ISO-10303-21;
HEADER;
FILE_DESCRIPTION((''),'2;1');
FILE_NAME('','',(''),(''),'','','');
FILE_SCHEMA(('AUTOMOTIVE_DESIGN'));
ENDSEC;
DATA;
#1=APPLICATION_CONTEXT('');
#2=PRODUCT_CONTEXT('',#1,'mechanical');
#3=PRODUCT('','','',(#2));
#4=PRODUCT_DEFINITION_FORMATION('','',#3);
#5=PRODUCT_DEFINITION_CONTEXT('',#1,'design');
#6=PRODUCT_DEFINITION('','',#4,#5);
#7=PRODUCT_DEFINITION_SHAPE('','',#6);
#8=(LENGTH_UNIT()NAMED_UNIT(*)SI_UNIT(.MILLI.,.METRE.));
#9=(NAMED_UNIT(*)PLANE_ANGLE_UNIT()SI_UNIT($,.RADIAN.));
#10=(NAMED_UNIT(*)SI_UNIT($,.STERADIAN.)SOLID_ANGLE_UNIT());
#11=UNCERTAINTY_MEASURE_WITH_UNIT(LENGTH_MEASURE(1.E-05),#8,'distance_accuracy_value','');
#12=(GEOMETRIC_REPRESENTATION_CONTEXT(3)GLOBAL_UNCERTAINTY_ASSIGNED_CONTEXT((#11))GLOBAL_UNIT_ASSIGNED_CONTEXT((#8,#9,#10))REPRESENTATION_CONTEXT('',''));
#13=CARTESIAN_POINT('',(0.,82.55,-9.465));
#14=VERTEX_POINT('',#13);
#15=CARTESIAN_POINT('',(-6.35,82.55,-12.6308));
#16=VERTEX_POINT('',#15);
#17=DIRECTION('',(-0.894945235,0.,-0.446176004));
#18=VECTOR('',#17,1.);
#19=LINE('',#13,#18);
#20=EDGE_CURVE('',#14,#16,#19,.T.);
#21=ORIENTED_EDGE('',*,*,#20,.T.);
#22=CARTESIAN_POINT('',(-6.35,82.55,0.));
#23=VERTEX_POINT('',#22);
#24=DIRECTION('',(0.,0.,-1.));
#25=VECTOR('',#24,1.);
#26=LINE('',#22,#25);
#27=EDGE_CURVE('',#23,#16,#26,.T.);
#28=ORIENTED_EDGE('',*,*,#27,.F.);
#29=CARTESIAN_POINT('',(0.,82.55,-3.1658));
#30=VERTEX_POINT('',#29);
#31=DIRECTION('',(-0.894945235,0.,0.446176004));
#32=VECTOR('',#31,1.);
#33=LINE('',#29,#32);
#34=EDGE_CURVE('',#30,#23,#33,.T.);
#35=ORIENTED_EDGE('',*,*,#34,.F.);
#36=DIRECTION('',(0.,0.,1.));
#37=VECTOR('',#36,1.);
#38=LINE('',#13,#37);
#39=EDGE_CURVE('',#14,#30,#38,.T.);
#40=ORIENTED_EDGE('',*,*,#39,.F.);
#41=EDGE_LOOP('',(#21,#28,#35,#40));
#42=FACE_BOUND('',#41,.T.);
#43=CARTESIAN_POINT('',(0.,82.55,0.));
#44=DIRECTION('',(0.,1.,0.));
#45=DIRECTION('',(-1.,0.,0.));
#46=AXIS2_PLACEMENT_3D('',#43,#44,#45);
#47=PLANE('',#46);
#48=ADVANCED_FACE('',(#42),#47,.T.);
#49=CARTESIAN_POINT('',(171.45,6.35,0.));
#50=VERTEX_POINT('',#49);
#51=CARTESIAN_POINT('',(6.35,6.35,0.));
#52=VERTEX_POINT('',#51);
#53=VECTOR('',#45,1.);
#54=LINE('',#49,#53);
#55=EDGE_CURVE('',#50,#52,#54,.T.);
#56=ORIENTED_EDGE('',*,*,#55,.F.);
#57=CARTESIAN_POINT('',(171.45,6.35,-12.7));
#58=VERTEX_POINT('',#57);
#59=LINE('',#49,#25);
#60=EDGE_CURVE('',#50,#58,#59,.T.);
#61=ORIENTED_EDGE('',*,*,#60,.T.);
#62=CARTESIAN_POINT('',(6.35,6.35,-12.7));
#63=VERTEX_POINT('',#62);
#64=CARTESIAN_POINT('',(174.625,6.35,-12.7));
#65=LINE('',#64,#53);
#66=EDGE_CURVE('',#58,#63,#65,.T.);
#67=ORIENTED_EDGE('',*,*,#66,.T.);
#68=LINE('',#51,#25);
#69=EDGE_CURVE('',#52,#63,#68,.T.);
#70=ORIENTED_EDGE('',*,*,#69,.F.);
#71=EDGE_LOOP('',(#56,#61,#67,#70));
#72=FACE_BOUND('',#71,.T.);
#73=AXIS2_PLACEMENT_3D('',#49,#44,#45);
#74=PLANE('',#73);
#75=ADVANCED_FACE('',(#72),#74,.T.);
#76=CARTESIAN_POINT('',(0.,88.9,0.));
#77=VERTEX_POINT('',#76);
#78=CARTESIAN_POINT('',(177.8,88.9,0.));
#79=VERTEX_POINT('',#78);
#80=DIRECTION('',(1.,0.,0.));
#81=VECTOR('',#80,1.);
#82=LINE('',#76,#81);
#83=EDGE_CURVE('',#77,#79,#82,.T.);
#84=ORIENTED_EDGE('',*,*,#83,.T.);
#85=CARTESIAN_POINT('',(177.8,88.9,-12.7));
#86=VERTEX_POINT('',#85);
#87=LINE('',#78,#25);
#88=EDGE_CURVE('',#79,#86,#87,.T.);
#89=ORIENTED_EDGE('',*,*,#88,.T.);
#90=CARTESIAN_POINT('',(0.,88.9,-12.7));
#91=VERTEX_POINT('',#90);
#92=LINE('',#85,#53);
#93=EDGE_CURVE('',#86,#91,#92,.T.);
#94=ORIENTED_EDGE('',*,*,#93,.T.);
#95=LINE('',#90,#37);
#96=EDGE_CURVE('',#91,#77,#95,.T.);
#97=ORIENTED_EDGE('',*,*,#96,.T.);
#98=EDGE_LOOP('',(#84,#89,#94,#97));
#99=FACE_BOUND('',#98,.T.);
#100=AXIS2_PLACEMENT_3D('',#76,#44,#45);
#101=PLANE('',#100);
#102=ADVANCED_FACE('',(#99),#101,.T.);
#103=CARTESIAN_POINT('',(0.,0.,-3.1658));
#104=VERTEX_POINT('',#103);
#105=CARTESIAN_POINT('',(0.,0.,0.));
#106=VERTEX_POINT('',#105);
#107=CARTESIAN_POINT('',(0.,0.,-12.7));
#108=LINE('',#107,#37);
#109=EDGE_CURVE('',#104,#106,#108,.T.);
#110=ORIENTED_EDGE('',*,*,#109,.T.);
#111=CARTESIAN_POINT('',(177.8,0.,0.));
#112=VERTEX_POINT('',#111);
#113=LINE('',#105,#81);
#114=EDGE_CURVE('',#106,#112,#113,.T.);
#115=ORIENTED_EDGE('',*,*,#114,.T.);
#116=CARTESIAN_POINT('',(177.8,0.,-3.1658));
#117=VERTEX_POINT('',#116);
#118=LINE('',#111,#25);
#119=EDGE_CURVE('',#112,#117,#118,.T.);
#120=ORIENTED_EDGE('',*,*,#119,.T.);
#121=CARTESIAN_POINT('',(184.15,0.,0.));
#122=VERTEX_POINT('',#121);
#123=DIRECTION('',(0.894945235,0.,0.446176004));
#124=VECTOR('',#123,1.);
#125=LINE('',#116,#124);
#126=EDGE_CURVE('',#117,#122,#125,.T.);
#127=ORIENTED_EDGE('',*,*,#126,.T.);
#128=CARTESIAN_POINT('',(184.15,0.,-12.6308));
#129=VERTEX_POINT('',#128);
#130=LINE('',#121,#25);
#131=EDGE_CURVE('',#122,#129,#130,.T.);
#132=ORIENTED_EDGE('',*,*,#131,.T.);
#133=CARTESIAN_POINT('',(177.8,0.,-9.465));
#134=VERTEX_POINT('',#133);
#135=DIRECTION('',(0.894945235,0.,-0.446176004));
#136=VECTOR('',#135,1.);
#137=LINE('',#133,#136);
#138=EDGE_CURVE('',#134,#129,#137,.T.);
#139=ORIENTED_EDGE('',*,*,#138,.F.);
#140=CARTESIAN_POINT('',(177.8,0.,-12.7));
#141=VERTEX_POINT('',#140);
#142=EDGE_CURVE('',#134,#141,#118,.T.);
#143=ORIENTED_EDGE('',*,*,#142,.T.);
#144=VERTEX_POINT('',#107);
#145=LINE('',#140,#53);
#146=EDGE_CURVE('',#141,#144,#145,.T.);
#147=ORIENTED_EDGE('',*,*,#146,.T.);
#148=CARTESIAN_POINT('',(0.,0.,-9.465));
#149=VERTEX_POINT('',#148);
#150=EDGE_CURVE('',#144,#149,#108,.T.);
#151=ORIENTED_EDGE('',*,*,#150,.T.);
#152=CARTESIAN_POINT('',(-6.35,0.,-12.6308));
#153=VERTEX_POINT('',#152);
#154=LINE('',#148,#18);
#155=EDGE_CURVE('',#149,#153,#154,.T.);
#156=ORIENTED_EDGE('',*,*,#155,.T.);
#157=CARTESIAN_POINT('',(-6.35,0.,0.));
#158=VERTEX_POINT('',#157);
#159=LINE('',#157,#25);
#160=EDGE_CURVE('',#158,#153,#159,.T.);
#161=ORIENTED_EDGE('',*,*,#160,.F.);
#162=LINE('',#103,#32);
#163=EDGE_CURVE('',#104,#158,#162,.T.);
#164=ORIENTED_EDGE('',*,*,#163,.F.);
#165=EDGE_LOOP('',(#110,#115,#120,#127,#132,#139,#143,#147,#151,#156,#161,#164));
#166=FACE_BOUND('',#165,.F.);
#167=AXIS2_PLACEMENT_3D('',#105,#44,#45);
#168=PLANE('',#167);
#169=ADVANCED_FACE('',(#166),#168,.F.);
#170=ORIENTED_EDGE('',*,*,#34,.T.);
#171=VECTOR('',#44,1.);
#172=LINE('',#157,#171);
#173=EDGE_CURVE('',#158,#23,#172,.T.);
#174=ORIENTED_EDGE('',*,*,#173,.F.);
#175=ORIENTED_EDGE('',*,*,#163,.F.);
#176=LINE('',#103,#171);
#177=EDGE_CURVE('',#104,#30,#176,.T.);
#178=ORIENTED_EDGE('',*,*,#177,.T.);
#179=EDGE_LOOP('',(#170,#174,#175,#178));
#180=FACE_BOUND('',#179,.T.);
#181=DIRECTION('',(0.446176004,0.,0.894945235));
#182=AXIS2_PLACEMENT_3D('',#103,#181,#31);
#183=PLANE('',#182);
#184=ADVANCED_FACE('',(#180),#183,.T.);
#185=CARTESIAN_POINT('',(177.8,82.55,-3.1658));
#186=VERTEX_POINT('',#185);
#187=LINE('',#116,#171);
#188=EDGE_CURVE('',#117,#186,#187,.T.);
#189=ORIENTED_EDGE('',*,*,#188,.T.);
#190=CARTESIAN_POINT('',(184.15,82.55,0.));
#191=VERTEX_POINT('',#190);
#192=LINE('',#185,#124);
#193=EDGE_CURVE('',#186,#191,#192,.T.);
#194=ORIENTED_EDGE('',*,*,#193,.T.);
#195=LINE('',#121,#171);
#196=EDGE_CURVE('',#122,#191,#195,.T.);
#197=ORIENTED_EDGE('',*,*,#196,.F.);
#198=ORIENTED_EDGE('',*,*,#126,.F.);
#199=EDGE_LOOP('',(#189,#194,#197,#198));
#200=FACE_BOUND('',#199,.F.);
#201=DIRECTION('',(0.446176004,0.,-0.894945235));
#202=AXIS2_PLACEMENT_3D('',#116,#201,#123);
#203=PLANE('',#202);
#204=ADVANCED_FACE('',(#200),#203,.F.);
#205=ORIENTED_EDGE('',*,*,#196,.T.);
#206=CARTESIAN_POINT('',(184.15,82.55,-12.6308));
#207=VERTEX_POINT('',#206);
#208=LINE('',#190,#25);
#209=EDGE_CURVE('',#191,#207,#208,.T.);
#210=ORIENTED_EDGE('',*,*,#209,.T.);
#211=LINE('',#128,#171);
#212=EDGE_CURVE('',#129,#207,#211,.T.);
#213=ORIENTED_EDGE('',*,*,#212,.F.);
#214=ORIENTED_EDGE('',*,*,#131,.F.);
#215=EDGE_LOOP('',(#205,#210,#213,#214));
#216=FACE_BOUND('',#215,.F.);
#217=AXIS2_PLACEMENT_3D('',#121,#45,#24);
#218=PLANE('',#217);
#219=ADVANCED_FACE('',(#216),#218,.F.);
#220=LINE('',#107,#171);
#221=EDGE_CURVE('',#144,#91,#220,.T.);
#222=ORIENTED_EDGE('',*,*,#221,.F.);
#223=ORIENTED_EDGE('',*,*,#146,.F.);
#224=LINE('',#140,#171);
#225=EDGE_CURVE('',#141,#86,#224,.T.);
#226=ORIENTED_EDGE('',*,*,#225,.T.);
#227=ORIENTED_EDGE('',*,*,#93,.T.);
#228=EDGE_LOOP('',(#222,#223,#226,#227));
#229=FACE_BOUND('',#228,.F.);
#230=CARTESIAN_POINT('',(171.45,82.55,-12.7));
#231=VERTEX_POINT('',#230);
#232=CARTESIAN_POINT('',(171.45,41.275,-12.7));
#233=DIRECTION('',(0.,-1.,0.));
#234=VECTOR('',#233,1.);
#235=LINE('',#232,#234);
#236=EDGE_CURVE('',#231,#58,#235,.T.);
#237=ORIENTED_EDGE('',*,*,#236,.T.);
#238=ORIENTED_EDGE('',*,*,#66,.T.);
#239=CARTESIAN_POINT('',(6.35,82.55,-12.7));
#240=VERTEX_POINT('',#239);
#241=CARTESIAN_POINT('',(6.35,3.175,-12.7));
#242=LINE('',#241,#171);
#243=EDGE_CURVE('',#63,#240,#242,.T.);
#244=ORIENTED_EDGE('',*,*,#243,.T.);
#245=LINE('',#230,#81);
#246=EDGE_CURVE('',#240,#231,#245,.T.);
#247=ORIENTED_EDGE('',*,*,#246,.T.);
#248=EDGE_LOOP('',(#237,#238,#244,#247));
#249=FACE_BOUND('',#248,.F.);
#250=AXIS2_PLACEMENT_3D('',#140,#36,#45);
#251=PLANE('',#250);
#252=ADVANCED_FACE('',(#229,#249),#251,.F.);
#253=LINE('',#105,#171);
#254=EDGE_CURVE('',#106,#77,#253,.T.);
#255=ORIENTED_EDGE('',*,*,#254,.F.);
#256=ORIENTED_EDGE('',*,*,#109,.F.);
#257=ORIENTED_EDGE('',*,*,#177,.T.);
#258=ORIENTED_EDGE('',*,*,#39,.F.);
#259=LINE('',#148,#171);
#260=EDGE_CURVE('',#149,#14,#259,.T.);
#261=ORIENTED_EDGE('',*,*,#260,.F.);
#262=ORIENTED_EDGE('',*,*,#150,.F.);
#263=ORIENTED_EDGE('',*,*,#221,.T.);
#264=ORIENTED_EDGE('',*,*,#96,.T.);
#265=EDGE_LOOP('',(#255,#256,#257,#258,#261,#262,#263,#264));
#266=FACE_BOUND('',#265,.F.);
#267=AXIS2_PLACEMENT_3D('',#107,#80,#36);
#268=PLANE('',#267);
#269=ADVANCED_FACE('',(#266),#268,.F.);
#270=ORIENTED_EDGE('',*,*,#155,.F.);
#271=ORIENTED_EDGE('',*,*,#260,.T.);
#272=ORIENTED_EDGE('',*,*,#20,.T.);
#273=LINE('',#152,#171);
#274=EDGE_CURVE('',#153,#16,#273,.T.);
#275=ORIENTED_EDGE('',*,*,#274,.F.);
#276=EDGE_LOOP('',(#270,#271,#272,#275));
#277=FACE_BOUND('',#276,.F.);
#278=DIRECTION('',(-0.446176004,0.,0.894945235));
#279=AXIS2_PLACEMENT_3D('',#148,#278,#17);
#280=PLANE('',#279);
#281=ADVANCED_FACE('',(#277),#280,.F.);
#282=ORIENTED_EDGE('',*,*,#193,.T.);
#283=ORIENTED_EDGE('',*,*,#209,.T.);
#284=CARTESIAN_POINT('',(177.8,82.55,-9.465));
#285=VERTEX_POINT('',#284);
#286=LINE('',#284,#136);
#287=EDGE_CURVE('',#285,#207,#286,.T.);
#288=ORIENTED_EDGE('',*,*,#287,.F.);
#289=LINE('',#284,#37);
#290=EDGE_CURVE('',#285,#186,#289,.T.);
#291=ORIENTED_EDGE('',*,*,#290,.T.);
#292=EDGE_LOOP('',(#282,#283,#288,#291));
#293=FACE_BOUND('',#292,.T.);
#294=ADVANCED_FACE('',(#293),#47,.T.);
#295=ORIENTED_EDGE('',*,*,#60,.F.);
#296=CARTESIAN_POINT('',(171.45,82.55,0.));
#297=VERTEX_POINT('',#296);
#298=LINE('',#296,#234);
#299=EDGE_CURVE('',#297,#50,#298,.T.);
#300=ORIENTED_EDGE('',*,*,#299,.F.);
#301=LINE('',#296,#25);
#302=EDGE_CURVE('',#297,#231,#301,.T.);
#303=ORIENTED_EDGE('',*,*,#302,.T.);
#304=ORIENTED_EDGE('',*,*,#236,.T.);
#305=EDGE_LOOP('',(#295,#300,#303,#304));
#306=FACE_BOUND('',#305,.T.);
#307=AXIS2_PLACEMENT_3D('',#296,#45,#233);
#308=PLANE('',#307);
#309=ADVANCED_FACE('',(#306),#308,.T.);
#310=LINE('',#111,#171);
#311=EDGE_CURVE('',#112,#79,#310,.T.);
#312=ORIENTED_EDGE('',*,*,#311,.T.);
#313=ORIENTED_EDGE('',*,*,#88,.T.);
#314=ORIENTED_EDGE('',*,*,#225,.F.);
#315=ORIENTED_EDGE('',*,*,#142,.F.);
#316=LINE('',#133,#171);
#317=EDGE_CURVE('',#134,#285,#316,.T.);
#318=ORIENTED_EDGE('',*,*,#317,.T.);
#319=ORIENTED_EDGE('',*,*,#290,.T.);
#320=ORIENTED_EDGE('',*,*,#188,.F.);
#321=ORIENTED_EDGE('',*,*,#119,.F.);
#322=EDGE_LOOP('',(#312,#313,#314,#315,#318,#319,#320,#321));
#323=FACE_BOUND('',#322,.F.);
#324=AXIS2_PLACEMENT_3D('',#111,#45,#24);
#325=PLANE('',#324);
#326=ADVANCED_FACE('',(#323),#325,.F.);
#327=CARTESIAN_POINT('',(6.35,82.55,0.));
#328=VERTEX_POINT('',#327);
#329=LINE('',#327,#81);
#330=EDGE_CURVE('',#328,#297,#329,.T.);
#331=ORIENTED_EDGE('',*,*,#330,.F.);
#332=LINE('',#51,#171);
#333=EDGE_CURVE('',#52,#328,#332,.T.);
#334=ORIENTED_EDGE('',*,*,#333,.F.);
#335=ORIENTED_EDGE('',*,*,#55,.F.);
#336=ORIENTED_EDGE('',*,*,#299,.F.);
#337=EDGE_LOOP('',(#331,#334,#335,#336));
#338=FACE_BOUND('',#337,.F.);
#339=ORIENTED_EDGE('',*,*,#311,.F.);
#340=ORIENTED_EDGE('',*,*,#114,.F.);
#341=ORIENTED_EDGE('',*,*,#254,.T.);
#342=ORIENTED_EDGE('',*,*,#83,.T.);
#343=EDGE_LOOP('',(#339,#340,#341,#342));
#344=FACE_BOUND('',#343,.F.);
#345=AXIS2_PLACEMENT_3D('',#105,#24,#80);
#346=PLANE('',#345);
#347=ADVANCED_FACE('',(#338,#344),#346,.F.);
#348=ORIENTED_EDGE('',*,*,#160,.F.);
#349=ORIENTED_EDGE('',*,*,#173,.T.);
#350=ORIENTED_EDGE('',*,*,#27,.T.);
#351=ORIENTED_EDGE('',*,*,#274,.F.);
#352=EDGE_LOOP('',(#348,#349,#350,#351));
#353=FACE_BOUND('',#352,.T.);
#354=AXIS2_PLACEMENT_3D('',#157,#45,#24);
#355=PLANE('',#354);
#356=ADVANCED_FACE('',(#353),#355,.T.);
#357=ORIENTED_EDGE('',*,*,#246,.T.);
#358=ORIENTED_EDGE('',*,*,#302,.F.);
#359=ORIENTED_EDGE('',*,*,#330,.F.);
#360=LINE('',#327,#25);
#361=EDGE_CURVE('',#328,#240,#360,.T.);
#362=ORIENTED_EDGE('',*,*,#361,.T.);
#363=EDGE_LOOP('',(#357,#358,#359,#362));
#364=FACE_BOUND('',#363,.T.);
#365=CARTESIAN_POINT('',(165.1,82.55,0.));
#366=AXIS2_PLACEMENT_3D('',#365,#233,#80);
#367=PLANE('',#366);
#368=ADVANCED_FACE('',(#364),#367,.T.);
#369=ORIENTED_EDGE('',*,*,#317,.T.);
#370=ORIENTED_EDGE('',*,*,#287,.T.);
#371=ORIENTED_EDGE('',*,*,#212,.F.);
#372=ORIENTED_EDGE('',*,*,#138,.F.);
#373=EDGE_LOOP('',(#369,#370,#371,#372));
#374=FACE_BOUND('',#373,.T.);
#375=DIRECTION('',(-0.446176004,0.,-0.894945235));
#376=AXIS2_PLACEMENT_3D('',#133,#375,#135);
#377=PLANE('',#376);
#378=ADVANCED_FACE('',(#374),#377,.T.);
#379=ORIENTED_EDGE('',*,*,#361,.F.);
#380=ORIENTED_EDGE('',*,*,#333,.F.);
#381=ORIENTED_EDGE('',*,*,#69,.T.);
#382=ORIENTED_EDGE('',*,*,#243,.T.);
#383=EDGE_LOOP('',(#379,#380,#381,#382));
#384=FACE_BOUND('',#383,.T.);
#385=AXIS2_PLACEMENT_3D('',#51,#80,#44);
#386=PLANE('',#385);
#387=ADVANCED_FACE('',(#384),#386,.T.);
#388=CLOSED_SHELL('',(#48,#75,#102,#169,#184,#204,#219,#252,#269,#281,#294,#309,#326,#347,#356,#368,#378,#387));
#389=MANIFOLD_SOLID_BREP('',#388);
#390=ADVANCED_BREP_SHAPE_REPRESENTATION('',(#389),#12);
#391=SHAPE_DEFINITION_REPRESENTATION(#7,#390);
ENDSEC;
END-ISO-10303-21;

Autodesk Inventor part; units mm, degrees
ref_plane "YZ Plane" through (0, 0, 0) normal (1, 0, 0) x (0, 1, 0)
ref_plane "XZ Plane" through (0, 0, 0) normal (0, 1, 0) x (-1, 0, 0)
ref_plane "XY Plane" through (0, 0, 0) normal (0, 0, 1) x (1, 0, 0)
sketch "Sketch1" plane through (0, 0, 0) normal (0, 1, 0) x (-1, 0, 0)
  line L0 (0, 0) -> (-177.8, 0)
  line L1 (-177.8, 0) -> (-177.8, -12.7)
  line L2 (-177.8, -12.7) -> (0, -12.7)
  line L3 (0, -12.7) -> (0, 0)
  dimension "d0" = 177.8
  dimension "d1" = 12.7
extrude "Extrusion1" add sketch "Sketch1" along normal blind 88.9
sketch "Sketch2" plane through (0, 0, 0) normal (0, 1, 0) x (-1, 0, 0)
  line L0 (0, -12.7) -> (0, 0) construction
  line L1 (0, -12.6308) -> (0, 0) construction
  line L2 (0, -6.3154) -> (6.35, -6.3154) construction
  line L3 (6.35, 0) -> (6.35, -12.6308)
  line L4 (0, -6.3154) -> (0, -3.1658)
  line L5 (0, -6.3154) -> (0, -9.465)
  line L6 (0, -9.465) -> (6.35, -12.6308)
  line L7 (0, -3.1658) -> (6.35, 0)
  line L8 (-177.8, -12.7) -> (0, -12.7) construction
  line L9 (-88.9, -12.7) -> (-88.9, 0) construction
  line L10 (-177.8, -12.7) -> (-177.8, 0) construction
  line L11 (-184.15, 0) -> (-184.15, -12.6308)
  line L12 (-177.8, -9.465) -> (-184.15, -12.6308)
  line L13 (-177.8, -3.1658) -> (-184.15, 0)
  line L14 (-177.8, -9.465) -> (-177.8, -3.1658)
  line L15 (0, -9.465) -> (0, -3.1658)
  line L16 (-177.8, -9.465) -> (-184.15, -12.6308)
  line L17 (-184.15, 0) -> (-177.8, -3.1658)
  dimension "d4" = 6.35
  dimension "d5" = 3.1496
  dimension "d6" = 3.1496
  dimension "d9" = 12.6308
extrude "Extrusion2" add sketch "Sketch2" along normal blind 82.55
sketch "Sketch3" plane through (0, 0, 0) normal (0, 0, 1) x (1, 0, 0)
  line L0 (0, 0) -> (177.8, 0) projected
  line L1 (177.8, 0) -> (177.8, 88.9) projected
  line L2 (0, 88.9) -> (177.8, 88.9) projected
  line L3 (0, 0) -> (0, 88.9) projected
  line L4 (171.45, 82.55) -> (171.45, 6.35)
  line L5 (171.45, 6.35) -> (6.35, 6.35)
  line L6 (31.75, 82.55) -> (31.75, 6.35)
  line L7 (6.35, 6.35) -> (6.35, 82.55)
  line L8 (6.35, 82.55) -> (171.45, 82.55)
  line L9 (38.1, 82.55) -> (38.1, 6.35)
  line L10 (63.5, 82.55) -> (63.5, 6.35)
  line L11 (69.85, 82.55) -> (69.85, 6.35)
  line L12 (95.25, 82.55) -> (95.25, 6.35)
  line L13 (101.6, 82.55) -> (101.6, 6.35)
  line L14 (127, 82.55) -> (127, 6.35)
  line L15 (133.35, 82.55) -> (133.35, 6.35)
  line L16 (158.75, 82.55) -> (158.75, 6.35)
  line L17 (165.1, 82.55) -> (165.1, 6.35)
  line L18 (6.35, 82.55) -> (171.45, 82.55)
  line L19 (171.45, 82.55) -> (171.45, 6.35)
  line L20 (171.45, 6.35) -> (6.35, 6.35)
  line L21 (6.35, 6.35) -> (6.35, 82.55)
  dimension "d12" = 6.35
  dimension "d13" = 25.4
  dimension "d14" = 6.35
  dimension "d15" = 25.4
  dimension "d16" = 6.35
  dimension "d17" = 25.4
  dimension "d18" = 6.35
  dimension "d19" = 25.4
  dimension "d20" = 6.35
extrude "Extrusion3" cut sketch "Sketch3" against normal blind 76.2 contours L4 L5 L17 L8 | L17 L5 L16 L8 | L16 L5 L15 L8 | L15 L5 L14 L8 | L14 L5 L13 L8 | L13 L5 L12 L8 | L12 L5 L11 L8 | L11 L5 L10 L8 | L10 L5 L9 L8 | L9 L5 L6 L8 | L6 L5 L7 L8
properties part number "doveTailBar"
